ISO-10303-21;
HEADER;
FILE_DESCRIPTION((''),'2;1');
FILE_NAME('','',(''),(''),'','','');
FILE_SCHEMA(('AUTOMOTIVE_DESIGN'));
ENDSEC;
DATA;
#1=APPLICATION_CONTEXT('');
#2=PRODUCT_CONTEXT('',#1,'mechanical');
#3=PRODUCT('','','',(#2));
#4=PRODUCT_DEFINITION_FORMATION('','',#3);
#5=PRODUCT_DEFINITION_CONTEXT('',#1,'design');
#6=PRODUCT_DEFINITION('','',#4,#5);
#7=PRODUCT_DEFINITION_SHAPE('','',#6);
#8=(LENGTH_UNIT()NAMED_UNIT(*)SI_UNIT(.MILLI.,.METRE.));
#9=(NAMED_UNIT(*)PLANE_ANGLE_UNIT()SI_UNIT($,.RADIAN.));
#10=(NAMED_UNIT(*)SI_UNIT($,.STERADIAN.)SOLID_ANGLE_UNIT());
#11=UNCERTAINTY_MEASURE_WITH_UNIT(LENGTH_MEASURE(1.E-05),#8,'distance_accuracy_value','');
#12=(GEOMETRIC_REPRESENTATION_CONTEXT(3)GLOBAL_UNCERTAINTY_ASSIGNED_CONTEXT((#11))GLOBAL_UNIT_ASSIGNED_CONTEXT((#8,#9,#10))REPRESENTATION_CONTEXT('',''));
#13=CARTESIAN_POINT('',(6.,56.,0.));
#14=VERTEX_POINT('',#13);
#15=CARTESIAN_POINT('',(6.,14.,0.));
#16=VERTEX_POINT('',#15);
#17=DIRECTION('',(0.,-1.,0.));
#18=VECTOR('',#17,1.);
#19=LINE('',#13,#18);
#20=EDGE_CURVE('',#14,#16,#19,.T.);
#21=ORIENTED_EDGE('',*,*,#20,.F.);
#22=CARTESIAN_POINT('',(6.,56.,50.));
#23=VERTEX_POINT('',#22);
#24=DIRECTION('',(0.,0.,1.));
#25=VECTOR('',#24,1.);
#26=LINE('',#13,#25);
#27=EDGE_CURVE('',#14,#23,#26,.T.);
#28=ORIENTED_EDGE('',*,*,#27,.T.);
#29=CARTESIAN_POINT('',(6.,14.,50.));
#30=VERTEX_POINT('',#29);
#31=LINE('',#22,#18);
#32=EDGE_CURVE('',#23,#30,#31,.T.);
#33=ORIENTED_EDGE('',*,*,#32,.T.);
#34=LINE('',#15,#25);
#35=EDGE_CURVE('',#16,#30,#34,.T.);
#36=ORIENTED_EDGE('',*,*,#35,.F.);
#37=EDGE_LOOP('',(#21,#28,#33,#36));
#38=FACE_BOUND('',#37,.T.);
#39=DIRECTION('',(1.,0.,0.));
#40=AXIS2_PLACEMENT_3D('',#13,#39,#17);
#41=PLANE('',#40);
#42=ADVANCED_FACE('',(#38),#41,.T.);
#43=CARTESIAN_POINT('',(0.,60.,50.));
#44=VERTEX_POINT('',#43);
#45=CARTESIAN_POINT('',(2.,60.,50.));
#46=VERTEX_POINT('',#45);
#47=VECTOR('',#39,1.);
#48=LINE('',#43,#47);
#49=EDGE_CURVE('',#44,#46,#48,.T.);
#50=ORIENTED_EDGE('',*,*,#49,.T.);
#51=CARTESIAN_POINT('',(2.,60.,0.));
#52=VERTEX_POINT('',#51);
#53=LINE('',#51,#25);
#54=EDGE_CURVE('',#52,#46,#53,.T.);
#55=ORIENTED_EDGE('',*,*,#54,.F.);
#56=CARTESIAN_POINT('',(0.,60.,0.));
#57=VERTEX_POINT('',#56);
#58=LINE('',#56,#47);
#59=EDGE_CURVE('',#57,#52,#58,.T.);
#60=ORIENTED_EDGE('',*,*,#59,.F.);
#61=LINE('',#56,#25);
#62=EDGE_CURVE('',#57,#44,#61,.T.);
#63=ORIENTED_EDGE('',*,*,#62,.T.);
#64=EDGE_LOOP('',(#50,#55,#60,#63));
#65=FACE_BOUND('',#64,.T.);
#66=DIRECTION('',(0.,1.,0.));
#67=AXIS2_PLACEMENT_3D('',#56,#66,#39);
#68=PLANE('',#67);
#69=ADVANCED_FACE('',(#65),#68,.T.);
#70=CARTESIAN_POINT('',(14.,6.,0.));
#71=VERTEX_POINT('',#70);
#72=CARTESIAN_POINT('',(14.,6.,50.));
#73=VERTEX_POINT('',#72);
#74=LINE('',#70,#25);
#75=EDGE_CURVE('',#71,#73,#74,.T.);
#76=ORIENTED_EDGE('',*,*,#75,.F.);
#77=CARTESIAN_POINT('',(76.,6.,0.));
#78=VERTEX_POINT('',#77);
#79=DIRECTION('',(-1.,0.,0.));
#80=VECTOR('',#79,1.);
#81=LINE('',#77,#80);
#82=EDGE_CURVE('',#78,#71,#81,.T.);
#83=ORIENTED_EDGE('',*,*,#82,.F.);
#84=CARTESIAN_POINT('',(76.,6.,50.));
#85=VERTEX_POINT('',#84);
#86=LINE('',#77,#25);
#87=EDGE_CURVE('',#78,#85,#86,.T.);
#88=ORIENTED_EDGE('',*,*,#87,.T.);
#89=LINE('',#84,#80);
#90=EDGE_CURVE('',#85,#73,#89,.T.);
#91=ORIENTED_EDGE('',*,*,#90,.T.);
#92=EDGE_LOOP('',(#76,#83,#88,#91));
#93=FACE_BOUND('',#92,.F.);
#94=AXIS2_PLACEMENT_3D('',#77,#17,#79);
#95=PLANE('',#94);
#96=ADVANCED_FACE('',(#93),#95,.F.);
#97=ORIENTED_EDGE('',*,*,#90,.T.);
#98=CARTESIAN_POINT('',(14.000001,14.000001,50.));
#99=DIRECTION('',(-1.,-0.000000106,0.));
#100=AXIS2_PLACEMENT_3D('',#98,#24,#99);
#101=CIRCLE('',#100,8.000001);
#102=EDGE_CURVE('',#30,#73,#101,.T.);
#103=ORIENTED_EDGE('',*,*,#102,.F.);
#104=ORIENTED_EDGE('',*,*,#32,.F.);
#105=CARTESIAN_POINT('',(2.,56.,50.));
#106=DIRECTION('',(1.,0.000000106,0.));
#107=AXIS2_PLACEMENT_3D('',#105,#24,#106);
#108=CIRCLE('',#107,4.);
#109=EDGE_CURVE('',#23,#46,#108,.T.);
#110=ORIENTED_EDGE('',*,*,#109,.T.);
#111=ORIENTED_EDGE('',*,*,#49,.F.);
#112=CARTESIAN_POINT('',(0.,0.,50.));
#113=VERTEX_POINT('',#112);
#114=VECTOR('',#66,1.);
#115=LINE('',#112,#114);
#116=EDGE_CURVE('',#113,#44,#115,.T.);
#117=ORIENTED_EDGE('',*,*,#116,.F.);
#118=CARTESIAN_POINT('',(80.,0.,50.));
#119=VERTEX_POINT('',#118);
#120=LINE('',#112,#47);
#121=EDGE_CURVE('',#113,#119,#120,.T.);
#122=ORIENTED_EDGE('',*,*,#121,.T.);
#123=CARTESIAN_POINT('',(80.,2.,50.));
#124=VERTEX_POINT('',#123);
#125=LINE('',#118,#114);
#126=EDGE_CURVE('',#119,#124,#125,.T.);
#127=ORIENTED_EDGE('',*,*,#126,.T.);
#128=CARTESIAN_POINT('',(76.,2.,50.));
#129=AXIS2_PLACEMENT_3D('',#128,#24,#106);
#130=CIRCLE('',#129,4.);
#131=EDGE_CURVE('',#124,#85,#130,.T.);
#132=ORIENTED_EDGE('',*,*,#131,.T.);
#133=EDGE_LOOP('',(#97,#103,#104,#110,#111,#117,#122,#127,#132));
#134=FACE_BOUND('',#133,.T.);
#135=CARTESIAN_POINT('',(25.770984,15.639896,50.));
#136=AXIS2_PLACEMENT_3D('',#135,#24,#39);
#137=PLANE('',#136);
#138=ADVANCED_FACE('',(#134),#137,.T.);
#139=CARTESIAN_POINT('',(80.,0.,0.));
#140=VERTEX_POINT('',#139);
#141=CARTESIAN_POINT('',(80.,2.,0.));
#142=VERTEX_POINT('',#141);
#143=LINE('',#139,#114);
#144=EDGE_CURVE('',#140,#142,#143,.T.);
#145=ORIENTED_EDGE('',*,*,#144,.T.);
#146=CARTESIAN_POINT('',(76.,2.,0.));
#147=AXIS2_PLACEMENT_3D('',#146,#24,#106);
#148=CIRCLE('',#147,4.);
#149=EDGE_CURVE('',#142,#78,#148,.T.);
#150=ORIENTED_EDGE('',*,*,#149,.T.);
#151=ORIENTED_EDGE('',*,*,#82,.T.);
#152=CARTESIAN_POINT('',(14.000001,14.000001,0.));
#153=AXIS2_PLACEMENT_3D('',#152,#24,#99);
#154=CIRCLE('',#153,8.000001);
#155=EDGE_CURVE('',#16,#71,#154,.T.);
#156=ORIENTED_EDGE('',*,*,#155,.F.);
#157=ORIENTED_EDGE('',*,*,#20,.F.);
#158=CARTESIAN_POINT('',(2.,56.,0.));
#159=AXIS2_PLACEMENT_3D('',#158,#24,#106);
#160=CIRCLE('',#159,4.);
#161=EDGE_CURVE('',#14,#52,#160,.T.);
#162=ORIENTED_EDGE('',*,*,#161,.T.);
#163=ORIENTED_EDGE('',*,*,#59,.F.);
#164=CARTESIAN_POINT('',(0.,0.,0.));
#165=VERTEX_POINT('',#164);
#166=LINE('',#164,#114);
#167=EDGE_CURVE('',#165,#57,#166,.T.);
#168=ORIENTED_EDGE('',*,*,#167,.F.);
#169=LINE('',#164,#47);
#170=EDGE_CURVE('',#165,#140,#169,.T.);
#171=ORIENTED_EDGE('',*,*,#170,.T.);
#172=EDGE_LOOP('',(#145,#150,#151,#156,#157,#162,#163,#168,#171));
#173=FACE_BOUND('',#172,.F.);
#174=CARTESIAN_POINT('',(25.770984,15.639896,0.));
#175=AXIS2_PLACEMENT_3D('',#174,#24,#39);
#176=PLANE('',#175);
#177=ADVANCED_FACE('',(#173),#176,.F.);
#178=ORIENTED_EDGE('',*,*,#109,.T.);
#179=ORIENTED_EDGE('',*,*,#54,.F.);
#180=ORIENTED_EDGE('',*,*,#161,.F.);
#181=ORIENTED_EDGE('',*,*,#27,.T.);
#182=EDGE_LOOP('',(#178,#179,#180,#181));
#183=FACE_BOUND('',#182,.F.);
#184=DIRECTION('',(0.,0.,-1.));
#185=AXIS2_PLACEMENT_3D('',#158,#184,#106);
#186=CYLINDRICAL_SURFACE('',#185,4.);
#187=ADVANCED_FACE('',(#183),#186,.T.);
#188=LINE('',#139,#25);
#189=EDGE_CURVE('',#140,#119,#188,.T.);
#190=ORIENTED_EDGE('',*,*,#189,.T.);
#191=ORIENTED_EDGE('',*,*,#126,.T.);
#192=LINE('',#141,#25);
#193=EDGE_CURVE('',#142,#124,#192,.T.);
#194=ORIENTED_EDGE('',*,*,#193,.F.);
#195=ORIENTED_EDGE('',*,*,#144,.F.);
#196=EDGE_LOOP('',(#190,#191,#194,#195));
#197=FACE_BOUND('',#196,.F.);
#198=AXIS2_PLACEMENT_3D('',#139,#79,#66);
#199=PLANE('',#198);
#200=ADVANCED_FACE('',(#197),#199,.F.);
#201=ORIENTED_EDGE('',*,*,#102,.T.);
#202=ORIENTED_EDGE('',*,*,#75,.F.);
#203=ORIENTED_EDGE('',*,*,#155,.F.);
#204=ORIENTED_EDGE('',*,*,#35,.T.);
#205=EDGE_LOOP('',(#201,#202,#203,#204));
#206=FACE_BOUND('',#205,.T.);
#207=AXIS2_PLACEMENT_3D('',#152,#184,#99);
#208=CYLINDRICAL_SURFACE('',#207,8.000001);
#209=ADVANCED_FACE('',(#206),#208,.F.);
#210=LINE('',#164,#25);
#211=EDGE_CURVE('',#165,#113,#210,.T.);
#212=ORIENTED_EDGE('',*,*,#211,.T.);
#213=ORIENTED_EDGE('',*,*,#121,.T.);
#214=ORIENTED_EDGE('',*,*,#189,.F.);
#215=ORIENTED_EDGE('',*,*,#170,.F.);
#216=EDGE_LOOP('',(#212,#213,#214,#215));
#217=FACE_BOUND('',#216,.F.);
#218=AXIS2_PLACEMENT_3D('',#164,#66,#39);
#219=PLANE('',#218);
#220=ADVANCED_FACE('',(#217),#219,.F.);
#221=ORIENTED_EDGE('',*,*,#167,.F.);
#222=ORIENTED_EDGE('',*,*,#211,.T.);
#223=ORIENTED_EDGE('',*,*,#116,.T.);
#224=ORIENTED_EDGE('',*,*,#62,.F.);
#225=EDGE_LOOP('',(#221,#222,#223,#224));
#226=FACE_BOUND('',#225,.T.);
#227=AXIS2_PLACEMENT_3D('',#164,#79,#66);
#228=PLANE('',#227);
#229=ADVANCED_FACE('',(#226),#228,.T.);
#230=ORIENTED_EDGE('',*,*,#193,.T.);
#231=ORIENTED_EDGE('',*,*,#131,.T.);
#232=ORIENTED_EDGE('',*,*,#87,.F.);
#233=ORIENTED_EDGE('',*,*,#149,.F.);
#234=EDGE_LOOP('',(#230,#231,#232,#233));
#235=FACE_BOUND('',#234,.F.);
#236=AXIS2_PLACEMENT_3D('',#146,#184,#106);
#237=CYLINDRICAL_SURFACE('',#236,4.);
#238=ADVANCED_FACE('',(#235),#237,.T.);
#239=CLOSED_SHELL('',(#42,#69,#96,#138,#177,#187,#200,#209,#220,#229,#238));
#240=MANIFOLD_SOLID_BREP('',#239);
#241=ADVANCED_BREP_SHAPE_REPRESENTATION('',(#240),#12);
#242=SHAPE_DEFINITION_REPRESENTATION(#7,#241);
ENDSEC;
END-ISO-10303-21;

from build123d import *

# Parameters (mm, degrees)
EXTRUDE_DEPTH = 50


with BuildPart() as part:
    # Sketch → Extrude (new body)
    with BuildSketch(Plane.XY):
        with BuildLine():
            Line((0, 0), (80, 0))
            Line((80, 0), (80, 2))
            ThreePointArc((80, 2), (78.828427, 4.828427), (76, 6))
            Line((76, 6), (14, 6))
            ThreePointArc((6, 14), (8.343146, 8.343146), (14, 6))
            Line((6, 56), (6, 14))
            ThreePointArc((6, 56), (4.828427, 58.828427), (2, 60))
            Line((0, 60), (2, 60))
            Line((0, 0), (0, 60))
        make_face()
    extrude(amount=EXTRUDE_DEPTH)


solid = part.part
